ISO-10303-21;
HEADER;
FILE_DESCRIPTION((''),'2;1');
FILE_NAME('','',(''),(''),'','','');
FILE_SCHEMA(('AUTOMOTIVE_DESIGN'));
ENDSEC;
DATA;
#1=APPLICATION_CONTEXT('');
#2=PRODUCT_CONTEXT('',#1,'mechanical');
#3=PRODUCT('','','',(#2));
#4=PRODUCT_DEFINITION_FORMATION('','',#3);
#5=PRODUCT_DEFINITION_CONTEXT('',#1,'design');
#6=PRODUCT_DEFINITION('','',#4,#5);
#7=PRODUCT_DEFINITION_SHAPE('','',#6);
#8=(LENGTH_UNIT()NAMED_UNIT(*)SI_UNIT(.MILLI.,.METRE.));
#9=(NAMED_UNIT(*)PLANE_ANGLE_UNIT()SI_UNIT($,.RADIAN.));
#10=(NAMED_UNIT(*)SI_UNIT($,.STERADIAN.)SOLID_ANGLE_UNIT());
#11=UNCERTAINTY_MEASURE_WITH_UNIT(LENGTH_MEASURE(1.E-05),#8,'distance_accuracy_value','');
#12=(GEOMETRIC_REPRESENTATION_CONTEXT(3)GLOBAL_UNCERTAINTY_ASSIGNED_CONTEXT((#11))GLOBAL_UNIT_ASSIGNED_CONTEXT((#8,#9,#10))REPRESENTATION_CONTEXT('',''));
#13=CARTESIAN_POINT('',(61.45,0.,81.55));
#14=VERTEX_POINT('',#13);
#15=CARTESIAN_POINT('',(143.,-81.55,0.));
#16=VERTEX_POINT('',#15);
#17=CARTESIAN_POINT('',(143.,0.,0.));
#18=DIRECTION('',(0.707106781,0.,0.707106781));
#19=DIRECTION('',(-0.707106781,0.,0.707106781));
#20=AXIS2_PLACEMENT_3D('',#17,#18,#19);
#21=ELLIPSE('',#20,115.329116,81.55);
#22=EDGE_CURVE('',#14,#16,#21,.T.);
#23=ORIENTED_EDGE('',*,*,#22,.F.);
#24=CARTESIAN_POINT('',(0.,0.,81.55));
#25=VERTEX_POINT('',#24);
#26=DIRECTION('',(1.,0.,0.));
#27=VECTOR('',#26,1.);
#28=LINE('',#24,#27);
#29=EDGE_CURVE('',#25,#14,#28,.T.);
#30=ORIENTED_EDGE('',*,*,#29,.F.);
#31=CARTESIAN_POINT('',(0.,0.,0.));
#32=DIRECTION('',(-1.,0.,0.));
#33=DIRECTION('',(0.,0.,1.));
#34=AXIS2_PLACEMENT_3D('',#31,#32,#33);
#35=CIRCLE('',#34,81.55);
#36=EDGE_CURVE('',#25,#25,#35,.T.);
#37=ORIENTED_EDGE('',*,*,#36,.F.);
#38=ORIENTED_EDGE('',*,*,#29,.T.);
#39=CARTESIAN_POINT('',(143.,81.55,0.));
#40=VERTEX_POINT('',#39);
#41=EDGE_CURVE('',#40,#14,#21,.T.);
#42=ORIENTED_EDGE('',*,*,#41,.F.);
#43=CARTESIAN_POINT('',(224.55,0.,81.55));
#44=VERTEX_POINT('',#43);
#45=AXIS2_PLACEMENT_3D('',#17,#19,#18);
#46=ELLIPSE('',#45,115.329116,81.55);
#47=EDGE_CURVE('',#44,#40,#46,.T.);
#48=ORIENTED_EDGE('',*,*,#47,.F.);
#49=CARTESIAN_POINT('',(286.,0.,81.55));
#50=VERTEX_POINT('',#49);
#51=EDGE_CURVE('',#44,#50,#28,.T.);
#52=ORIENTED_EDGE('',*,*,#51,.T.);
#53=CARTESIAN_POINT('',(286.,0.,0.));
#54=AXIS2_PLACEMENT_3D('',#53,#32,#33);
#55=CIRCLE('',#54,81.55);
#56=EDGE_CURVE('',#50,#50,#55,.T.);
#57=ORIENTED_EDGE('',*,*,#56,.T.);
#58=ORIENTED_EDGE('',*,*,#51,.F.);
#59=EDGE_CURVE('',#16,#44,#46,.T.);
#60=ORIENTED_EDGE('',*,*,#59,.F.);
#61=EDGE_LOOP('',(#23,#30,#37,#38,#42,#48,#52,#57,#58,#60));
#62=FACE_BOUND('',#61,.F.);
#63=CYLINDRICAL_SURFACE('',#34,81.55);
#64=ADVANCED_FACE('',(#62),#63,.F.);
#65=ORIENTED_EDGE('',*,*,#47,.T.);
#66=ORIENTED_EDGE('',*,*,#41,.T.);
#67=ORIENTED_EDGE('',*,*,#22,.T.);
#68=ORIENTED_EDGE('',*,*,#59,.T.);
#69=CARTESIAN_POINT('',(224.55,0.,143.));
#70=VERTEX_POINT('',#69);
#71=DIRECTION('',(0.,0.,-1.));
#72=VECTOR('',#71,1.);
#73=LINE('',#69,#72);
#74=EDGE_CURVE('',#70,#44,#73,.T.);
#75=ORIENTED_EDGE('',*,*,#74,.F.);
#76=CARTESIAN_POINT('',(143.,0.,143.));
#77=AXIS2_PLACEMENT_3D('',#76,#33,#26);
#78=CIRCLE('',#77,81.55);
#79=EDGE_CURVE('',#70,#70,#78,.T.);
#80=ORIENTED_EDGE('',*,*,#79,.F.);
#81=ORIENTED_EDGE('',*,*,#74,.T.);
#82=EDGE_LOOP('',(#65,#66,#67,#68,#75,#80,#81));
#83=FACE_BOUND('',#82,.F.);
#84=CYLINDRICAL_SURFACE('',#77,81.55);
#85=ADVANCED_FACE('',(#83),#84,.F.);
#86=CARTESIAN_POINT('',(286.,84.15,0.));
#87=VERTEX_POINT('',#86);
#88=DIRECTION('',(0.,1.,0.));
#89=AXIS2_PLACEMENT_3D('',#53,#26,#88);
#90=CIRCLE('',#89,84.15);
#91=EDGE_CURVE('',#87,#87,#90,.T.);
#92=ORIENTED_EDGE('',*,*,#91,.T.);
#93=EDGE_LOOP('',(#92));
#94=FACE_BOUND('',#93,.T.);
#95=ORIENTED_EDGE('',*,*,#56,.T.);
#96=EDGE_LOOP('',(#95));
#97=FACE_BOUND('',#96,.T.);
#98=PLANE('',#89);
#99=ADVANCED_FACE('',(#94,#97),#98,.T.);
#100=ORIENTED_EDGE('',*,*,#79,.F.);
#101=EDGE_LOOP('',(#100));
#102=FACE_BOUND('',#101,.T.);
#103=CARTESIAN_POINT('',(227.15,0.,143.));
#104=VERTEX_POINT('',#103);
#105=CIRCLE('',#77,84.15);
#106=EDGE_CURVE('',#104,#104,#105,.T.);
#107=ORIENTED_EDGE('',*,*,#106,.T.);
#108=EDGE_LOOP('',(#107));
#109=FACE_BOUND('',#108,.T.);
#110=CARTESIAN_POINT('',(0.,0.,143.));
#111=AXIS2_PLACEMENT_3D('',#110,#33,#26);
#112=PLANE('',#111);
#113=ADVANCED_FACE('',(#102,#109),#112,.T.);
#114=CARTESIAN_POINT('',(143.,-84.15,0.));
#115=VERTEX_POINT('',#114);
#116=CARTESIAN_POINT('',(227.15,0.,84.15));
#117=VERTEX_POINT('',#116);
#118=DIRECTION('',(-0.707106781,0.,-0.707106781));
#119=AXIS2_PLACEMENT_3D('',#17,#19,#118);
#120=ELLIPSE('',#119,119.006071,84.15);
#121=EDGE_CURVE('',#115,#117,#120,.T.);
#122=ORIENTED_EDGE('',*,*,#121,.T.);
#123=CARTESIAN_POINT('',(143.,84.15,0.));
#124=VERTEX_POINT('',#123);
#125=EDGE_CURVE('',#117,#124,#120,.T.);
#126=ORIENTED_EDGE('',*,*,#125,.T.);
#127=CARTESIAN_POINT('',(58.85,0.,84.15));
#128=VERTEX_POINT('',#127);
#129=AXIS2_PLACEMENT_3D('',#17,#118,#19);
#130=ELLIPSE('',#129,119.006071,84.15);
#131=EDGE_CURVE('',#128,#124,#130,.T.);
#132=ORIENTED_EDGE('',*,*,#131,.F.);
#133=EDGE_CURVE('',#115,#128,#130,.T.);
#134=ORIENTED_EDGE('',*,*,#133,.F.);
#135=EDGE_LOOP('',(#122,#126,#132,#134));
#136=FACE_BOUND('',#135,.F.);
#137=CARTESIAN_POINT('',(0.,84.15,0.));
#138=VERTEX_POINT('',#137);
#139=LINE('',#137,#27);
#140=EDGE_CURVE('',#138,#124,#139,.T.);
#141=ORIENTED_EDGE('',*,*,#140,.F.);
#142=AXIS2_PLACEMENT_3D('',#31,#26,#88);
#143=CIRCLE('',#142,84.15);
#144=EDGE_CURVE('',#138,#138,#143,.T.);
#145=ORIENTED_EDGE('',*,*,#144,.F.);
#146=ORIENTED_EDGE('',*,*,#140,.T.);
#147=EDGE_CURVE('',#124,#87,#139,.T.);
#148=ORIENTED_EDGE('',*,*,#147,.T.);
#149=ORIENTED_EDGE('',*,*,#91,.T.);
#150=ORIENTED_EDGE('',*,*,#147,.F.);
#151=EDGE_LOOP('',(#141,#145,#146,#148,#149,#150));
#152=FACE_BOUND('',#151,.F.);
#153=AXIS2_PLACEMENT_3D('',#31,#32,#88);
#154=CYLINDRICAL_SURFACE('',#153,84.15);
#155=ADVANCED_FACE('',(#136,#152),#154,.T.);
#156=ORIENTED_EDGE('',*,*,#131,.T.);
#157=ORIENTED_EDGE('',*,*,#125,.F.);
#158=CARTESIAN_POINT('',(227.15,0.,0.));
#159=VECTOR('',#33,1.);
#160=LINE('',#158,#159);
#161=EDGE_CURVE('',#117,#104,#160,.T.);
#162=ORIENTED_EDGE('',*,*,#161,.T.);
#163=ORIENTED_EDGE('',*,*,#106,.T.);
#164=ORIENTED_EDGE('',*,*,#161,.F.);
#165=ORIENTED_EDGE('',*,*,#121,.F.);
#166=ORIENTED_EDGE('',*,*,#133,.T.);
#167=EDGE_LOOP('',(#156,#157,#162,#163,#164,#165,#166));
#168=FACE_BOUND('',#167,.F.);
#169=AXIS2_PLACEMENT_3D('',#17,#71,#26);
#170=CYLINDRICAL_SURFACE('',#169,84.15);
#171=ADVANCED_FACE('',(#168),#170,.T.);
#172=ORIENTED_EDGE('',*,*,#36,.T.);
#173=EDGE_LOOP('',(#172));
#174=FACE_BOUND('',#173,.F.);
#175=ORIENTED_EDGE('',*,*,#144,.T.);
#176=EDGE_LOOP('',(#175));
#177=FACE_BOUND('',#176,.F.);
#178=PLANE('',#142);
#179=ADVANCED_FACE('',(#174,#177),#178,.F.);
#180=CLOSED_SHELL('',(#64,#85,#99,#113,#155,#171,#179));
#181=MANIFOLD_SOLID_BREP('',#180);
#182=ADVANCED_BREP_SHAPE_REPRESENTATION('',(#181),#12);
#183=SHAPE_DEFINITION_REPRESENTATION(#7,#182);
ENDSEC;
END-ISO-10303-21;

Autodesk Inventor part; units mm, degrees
ref_plane "YZ Plane" through (0, 0, 0) normal (1, 0, 0) x (0, 1, 0)
ref_plane "XZ Plane" through (0, 0, 0) normal (0, 1, 0) x (-1, 0, 0)
ref_plane "XY Plane" through (0, 0, 0) normal (0, 0, 1) x (1, 0, 0)
sketch "Sketch1" plane through (0, 0, 0) normal (1, 0, 0) x (0, 1, 0)
  circle A0 centre (0, 0) radius 84.15
  dimension "d0" = 168.3
extrude "Extrude1" add sketch "Sketch1" along normal blind 286
sketch "Sketch2" plane through (0, 0, 0) normal (0, 0, 1) x (1, 0, 0)
  line L0 (0, 84.15) -> (0, -84.15) projected
  line L1 (286, 84.15) -> (286, -84.15) projected
  line L2 (0, 0) -> (286, 0) construction
  circle A0 centre (143, 0) radius 84.15
  dimension "d3" = 168.3
extrude "Extrude2" add sketch "Sketch2" along normal blind 143
sketch "Sketch3" plane through (0, 0, 0) normal (-1, 0, 0) x (0, 0, 1)
  circle A0 centre (0, 0) radius 84.15 projected
  circle A1 centre (0, 0) radius 81.55
  dimension "d6" = 163.1
extrude "Extrude3" cut sketch "Sketch3" against normal through all contours A1
sketch "Sketch4" plane through (143, 0, 143) normal (0, 0, 1) x (1, 0, 0)
  circle A0 centre (0, 0) radius 84.15 projected
  circle A1 centre (0, 0) radius 81.55
  dimension "d9" = 163.1
extrude "Extrude4" cut sketch "Sketch4" against normal up to next contours A1
equation "\"d0\" = d"
equation "\"d1\" = 2 * a"
equation "\"d3\" = d"
equation "\"d4\" = a"
equation "\"d6\" = d - 2 * s1"
equation "\"d7\" = a"
equation "\"d9\" = d - 2 * s1"
equation "\"d10\" = a"
equation "\"d\" = 168.3"
equation "\"s1\" = 2.6"
equation "\"a\" = 143"
equation "\"Size_Designation\" = 1.2345"
properties part number "DIN 2615-1 Tee 168.3 x 2.6 S" material "Steel"
